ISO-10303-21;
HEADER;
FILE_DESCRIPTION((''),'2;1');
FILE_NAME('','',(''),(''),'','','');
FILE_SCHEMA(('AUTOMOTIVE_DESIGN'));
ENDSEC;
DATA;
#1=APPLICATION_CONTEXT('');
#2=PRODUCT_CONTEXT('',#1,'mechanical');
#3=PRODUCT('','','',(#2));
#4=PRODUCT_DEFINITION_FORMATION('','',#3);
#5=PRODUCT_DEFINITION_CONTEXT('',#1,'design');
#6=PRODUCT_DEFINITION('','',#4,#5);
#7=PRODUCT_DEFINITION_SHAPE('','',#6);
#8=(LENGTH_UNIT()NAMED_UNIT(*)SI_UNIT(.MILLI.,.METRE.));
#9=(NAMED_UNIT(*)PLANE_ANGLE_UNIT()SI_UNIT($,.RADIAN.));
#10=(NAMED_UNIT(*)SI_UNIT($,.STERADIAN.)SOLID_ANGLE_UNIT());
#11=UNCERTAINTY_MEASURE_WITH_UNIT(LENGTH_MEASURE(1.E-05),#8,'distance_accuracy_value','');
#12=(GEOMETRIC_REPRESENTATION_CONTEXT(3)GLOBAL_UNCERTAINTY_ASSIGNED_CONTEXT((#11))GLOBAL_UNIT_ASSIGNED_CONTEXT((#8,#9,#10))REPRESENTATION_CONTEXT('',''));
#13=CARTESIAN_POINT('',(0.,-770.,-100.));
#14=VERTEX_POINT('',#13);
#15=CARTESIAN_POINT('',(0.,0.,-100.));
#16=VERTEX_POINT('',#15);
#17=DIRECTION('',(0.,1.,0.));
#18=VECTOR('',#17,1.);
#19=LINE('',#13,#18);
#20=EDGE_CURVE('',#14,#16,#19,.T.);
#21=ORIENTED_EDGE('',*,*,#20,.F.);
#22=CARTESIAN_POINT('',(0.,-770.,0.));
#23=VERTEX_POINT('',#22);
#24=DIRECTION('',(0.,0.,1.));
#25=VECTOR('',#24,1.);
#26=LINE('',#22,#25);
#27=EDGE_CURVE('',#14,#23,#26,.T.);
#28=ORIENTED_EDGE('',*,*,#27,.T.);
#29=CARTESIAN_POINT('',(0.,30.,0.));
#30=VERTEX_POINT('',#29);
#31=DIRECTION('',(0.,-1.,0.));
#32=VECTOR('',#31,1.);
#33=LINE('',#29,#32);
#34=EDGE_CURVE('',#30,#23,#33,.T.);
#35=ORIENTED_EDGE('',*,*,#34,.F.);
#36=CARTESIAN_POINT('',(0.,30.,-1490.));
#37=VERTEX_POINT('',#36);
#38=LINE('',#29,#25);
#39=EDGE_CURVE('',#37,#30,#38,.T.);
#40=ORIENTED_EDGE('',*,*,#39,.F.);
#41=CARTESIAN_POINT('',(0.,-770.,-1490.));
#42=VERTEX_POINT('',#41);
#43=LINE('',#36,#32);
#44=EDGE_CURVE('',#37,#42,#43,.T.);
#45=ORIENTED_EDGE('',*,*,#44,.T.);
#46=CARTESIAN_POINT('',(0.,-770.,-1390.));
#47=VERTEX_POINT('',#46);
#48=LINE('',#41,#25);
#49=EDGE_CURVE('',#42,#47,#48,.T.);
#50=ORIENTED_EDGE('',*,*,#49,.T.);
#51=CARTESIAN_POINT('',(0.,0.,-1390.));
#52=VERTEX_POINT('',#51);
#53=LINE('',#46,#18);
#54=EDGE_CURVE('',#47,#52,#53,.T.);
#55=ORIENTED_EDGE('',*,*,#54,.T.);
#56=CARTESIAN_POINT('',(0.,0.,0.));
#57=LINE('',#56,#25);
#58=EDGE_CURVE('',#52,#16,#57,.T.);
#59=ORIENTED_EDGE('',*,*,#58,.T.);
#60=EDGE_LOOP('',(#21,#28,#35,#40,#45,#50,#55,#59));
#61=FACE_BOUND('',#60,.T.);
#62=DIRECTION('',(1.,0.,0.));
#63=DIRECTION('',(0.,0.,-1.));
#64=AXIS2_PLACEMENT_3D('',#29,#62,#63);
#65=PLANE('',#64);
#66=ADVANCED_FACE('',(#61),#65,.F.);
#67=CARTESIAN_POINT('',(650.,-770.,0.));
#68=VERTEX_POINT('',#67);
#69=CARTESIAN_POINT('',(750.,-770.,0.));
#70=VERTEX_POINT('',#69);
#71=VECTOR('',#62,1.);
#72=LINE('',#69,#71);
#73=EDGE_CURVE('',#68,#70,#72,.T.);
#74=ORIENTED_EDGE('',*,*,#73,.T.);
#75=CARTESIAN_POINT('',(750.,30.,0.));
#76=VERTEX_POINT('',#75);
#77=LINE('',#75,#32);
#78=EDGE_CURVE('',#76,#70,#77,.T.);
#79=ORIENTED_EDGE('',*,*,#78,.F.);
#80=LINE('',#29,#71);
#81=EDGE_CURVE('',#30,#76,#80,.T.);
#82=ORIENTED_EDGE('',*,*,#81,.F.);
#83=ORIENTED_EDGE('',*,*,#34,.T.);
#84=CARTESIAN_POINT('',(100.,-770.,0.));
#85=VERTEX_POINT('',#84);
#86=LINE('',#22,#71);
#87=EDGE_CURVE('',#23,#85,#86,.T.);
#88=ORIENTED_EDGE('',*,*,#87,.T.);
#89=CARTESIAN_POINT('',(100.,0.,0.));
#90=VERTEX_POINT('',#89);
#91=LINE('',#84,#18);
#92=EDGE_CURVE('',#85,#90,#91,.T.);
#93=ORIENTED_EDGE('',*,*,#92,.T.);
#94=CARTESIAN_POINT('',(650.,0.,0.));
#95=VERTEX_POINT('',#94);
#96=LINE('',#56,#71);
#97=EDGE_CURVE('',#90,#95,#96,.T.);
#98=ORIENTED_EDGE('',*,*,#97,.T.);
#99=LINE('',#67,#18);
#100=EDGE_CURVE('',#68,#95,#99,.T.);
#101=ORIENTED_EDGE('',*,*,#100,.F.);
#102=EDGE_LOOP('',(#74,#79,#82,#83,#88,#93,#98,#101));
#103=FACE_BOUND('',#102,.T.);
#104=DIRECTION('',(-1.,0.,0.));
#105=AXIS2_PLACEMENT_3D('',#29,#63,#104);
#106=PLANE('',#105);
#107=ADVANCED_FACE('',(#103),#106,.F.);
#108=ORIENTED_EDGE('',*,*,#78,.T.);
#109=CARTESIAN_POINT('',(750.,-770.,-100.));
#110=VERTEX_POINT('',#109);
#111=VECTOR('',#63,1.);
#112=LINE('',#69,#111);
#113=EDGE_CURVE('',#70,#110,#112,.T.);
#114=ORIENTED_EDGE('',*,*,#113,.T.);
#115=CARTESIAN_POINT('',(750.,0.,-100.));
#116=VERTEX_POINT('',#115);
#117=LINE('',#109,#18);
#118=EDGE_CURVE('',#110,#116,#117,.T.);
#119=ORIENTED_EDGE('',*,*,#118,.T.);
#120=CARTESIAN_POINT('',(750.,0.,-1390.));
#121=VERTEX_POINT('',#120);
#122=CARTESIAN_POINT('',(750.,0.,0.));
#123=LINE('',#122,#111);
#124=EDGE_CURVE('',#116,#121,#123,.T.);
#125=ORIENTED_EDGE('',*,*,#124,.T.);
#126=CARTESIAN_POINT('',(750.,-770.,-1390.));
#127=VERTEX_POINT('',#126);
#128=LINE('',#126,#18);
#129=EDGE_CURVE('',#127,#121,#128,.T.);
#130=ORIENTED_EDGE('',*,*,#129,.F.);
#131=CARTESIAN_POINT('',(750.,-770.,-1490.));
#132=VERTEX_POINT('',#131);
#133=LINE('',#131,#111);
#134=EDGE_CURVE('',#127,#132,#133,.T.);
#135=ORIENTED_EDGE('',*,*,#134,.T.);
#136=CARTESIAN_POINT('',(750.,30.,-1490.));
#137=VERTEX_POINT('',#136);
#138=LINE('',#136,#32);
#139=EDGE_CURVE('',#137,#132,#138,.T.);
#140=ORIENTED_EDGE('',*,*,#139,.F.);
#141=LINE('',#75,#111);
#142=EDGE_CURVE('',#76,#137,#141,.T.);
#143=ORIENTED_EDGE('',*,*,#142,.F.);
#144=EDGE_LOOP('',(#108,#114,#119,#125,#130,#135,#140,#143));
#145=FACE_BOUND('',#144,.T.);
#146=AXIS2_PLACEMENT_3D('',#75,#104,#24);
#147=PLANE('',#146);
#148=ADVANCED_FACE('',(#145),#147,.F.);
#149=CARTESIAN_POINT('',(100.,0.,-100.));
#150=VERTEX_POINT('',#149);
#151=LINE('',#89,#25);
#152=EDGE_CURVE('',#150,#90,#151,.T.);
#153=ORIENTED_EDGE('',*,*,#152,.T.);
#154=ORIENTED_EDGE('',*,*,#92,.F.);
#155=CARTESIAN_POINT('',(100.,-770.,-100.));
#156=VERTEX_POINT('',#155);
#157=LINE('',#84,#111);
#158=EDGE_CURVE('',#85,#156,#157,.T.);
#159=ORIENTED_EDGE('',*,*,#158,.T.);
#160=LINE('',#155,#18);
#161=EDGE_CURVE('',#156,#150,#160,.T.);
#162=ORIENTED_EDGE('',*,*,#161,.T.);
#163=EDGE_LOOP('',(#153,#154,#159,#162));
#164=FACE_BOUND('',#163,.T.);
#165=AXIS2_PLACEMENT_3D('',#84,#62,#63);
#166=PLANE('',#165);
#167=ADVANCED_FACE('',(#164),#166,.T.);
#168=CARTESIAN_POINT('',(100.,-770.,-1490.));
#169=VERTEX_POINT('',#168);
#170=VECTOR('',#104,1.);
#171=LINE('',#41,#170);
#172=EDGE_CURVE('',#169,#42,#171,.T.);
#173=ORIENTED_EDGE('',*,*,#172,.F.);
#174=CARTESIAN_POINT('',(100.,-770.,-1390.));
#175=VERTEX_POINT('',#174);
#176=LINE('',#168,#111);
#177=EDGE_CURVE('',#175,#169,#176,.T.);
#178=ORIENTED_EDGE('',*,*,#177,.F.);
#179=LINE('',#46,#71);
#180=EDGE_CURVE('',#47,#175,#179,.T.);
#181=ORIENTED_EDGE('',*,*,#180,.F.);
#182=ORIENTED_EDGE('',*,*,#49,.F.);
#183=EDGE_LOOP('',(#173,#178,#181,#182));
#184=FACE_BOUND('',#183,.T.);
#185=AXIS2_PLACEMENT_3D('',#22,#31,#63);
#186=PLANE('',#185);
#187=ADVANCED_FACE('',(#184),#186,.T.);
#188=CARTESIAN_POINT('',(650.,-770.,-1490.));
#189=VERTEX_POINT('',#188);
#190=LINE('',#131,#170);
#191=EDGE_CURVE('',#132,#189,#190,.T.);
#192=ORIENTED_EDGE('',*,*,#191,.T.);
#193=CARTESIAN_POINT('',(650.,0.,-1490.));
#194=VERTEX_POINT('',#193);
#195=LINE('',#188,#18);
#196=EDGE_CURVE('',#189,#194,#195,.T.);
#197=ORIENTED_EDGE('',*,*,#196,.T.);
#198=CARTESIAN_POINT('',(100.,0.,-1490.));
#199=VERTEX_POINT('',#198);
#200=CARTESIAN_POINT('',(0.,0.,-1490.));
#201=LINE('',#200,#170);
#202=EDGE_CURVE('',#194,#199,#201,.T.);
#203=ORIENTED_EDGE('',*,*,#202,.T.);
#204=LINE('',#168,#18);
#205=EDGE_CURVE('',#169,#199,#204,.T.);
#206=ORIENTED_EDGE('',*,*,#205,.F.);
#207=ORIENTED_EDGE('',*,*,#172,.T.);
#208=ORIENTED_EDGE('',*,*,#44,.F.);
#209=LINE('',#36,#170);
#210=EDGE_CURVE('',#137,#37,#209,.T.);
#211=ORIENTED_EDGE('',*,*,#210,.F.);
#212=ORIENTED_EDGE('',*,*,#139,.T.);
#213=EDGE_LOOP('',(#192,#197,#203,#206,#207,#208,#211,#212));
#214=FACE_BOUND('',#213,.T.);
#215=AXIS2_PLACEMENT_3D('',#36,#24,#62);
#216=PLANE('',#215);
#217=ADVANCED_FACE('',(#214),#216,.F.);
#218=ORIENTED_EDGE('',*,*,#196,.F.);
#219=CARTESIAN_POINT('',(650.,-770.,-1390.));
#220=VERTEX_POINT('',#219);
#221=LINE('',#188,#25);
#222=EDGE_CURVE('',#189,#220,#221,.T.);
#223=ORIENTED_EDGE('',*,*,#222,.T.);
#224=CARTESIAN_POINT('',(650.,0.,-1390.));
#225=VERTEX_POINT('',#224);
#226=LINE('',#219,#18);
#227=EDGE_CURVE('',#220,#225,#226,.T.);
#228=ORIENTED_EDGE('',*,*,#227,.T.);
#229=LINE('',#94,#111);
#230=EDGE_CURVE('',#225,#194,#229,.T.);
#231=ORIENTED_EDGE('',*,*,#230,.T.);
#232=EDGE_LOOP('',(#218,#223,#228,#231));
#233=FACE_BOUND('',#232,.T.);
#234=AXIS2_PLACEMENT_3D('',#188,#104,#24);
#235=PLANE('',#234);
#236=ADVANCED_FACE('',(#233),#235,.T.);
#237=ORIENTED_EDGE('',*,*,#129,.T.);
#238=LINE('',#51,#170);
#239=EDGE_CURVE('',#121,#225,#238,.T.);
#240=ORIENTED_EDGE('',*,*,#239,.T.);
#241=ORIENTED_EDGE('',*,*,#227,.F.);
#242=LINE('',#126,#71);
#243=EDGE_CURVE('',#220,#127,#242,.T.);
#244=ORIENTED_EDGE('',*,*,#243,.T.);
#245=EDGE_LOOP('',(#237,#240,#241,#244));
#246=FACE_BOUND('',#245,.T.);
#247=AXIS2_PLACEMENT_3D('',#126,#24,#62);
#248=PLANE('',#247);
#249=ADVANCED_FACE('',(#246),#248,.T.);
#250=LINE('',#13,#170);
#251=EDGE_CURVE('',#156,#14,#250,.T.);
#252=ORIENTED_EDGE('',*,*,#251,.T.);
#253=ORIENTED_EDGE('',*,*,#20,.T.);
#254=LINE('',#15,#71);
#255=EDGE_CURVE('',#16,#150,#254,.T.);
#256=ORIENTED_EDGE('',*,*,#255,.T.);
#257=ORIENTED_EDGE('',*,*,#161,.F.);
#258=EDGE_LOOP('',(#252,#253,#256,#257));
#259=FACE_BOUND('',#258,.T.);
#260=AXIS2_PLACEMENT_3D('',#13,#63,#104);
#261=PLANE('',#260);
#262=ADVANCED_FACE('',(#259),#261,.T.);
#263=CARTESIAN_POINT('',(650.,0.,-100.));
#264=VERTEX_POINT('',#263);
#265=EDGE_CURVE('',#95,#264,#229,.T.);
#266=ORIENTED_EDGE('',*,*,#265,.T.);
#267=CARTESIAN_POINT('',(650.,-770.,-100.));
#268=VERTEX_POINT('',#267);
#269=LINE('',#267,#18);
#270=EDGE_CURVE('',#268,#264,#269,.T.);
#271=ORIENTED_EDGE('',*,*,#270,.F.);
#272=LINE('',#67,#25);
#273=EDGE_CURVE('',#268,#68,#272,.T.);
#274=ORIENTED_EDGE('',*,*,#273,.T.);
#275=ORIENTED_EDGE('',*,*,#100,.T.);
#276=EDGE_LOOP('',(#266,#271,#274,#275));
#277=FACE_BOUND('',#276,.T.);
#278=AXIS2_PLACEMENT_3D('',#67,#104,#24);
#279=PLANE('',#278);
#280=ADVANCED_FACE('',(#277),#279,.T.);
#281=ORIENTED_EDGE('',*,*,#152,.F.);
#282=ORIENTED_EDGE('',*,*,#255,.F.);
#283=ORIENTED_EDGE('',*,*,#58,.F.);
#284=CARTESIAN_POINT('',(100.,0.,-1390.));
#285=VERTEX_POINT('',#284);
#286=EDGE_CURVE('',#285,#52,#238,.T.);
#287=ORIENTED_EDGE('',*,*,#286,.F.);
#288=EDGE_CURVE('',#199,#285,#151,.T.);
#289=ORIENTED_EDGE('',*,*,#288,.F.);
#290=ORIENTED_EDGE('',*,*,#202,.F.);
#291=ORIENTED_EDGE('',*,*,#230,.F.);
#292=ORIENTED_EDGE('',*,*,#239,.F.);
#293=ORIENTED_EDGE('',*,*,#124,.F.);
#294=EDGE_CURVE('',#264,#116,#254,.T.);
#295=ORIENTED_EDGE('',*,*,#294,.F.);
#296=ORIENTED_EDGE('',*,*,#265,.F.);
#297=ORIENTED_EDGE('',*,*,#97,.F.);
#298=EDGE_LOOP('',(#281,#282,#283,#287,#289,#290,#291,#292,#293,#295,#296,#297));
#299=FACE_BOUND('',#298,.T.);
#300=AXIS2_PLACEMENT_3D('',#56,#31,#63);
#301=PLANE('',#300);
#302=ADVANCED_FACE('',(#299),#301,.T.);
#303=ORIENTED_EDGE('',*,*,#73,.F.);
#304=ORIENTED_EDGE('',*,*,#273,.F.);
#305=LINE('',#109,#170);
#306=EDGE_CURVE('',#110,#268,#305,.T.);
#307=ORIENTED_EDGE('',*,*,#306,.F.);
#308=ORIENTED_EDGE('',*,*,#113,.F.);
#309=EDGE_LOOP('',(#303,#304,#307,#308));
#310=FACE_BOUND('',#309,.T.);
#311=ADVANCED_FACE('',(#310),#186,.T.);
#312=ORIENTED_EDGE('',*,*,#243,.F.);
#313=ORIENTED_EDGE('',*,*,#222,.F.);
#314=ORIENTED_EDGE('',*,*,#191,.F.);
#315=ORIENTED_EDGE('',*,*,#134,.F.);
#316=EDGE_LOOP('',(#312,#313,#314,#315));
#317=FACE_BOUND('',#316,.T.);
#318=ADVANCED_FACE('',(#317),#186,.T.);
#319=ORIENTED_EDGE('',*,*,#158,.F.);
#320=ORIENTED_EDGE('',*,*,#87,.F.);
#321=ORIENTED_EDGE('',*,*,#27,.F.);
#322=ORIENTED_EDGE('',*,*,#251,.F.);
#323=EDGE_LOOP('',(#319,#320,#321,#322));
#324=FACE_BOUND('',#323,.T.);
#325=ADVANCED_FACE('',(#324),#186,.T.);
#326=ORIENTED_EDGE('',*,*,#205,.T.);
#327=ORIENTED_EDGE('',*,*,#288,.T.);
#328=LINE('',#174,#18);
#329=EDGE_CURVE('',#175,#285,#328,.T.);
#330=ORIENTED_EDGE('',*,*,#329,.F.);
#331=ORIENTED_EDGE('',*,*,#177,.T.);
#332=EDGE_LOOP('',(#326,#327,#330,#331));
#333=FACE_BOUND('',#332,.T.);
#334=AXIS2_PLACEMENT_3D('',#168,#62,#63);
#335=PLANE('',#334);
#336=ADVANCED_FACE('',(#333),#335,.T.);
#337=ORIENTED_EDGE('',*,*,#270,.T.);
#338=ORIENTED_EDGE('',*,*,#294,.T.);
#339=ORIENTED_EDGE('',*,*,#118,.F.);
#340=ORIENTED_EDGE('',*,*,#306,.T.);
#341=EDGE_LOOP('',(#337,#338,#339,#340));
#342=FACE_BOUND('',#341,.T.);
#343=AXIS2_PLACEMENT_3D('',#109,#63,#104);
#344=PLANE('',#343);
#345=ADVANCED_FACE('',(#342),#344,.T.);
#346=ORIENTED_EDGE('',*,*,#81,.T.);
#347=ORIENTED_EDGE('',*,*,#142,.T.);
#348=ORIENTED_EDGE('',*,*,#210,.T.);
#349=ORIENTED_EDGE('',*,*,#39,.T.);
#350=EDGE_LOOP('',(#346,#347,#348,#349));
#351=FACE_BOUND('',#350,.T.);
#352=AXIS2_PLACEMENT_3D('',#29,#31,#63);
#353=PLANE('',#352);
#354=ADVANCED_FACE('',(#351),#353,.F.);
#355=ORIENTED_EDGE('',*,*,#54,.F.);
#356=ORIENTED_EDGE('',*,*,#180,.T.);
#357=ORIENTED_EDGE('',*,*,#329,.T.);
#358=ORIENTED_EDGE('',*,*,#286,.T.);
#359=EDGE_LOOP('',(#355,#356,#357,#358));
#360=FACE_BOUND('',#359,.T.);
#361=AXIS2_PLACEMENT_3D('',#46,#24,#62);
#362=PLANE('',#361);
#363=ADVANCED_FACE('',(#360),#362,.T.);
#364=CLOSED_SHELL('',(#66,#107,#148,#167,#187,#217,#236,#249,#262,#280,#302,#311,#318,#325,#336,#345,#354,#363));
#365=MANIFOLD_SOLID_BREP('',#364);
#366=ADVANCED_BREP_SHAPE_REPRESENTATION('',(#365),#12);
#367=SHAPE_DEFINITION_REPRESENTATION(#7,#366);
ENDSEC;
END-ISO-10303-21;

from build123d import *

# Parameters (mm, degrees)
SKETCH1_W           = 750
SKETCH1_H           = 1490
BOSS_EXTRUDE1_DEPTH = 30
SKETCH2_W           = 100
SKETCH2_H           = 100
BOSS_EXTRUDE2_DEPTH = 800


with BuildPart() as part:
    # Sketch1 → Boss-Extrude1 (new body)
    with BuildSketch(Plane(origin=(0, 0, 0), x_dir=(1, 0, 0), z_dir=(0, 1, 0))):
        with Locations((375, 745)):
            Rectangle(SKETCH1_W, SKETCH1_H)
    extrude(amount=BOSS_EXTRUDE1_DEPTH)

    # Sketch2 → Boss-Extrude2 (add)
    with BuildSketch(Plane(origin=(0, 30, 0), x_dir=(1, 0, 0), z_dir=(0, 1, 0))):
        with Locations((50, 50)):
            Rectangle(SKETCH2_W, SKETCH2_H)
        with Locations((700, 50)):
            Rectangle(SKETCH2_W, SKETCH2_H)
        with Locations((700, 1440)):
            Rectangle(SKETCH2_W, SKETCH2_H)
        with Locations((50, 1440)):
            Rectangle(SKETCH2_W, SKETCH2_H)
    extrude(amount=-BOSS_EXTRUDE2_DEPTH)


solid = part.part
